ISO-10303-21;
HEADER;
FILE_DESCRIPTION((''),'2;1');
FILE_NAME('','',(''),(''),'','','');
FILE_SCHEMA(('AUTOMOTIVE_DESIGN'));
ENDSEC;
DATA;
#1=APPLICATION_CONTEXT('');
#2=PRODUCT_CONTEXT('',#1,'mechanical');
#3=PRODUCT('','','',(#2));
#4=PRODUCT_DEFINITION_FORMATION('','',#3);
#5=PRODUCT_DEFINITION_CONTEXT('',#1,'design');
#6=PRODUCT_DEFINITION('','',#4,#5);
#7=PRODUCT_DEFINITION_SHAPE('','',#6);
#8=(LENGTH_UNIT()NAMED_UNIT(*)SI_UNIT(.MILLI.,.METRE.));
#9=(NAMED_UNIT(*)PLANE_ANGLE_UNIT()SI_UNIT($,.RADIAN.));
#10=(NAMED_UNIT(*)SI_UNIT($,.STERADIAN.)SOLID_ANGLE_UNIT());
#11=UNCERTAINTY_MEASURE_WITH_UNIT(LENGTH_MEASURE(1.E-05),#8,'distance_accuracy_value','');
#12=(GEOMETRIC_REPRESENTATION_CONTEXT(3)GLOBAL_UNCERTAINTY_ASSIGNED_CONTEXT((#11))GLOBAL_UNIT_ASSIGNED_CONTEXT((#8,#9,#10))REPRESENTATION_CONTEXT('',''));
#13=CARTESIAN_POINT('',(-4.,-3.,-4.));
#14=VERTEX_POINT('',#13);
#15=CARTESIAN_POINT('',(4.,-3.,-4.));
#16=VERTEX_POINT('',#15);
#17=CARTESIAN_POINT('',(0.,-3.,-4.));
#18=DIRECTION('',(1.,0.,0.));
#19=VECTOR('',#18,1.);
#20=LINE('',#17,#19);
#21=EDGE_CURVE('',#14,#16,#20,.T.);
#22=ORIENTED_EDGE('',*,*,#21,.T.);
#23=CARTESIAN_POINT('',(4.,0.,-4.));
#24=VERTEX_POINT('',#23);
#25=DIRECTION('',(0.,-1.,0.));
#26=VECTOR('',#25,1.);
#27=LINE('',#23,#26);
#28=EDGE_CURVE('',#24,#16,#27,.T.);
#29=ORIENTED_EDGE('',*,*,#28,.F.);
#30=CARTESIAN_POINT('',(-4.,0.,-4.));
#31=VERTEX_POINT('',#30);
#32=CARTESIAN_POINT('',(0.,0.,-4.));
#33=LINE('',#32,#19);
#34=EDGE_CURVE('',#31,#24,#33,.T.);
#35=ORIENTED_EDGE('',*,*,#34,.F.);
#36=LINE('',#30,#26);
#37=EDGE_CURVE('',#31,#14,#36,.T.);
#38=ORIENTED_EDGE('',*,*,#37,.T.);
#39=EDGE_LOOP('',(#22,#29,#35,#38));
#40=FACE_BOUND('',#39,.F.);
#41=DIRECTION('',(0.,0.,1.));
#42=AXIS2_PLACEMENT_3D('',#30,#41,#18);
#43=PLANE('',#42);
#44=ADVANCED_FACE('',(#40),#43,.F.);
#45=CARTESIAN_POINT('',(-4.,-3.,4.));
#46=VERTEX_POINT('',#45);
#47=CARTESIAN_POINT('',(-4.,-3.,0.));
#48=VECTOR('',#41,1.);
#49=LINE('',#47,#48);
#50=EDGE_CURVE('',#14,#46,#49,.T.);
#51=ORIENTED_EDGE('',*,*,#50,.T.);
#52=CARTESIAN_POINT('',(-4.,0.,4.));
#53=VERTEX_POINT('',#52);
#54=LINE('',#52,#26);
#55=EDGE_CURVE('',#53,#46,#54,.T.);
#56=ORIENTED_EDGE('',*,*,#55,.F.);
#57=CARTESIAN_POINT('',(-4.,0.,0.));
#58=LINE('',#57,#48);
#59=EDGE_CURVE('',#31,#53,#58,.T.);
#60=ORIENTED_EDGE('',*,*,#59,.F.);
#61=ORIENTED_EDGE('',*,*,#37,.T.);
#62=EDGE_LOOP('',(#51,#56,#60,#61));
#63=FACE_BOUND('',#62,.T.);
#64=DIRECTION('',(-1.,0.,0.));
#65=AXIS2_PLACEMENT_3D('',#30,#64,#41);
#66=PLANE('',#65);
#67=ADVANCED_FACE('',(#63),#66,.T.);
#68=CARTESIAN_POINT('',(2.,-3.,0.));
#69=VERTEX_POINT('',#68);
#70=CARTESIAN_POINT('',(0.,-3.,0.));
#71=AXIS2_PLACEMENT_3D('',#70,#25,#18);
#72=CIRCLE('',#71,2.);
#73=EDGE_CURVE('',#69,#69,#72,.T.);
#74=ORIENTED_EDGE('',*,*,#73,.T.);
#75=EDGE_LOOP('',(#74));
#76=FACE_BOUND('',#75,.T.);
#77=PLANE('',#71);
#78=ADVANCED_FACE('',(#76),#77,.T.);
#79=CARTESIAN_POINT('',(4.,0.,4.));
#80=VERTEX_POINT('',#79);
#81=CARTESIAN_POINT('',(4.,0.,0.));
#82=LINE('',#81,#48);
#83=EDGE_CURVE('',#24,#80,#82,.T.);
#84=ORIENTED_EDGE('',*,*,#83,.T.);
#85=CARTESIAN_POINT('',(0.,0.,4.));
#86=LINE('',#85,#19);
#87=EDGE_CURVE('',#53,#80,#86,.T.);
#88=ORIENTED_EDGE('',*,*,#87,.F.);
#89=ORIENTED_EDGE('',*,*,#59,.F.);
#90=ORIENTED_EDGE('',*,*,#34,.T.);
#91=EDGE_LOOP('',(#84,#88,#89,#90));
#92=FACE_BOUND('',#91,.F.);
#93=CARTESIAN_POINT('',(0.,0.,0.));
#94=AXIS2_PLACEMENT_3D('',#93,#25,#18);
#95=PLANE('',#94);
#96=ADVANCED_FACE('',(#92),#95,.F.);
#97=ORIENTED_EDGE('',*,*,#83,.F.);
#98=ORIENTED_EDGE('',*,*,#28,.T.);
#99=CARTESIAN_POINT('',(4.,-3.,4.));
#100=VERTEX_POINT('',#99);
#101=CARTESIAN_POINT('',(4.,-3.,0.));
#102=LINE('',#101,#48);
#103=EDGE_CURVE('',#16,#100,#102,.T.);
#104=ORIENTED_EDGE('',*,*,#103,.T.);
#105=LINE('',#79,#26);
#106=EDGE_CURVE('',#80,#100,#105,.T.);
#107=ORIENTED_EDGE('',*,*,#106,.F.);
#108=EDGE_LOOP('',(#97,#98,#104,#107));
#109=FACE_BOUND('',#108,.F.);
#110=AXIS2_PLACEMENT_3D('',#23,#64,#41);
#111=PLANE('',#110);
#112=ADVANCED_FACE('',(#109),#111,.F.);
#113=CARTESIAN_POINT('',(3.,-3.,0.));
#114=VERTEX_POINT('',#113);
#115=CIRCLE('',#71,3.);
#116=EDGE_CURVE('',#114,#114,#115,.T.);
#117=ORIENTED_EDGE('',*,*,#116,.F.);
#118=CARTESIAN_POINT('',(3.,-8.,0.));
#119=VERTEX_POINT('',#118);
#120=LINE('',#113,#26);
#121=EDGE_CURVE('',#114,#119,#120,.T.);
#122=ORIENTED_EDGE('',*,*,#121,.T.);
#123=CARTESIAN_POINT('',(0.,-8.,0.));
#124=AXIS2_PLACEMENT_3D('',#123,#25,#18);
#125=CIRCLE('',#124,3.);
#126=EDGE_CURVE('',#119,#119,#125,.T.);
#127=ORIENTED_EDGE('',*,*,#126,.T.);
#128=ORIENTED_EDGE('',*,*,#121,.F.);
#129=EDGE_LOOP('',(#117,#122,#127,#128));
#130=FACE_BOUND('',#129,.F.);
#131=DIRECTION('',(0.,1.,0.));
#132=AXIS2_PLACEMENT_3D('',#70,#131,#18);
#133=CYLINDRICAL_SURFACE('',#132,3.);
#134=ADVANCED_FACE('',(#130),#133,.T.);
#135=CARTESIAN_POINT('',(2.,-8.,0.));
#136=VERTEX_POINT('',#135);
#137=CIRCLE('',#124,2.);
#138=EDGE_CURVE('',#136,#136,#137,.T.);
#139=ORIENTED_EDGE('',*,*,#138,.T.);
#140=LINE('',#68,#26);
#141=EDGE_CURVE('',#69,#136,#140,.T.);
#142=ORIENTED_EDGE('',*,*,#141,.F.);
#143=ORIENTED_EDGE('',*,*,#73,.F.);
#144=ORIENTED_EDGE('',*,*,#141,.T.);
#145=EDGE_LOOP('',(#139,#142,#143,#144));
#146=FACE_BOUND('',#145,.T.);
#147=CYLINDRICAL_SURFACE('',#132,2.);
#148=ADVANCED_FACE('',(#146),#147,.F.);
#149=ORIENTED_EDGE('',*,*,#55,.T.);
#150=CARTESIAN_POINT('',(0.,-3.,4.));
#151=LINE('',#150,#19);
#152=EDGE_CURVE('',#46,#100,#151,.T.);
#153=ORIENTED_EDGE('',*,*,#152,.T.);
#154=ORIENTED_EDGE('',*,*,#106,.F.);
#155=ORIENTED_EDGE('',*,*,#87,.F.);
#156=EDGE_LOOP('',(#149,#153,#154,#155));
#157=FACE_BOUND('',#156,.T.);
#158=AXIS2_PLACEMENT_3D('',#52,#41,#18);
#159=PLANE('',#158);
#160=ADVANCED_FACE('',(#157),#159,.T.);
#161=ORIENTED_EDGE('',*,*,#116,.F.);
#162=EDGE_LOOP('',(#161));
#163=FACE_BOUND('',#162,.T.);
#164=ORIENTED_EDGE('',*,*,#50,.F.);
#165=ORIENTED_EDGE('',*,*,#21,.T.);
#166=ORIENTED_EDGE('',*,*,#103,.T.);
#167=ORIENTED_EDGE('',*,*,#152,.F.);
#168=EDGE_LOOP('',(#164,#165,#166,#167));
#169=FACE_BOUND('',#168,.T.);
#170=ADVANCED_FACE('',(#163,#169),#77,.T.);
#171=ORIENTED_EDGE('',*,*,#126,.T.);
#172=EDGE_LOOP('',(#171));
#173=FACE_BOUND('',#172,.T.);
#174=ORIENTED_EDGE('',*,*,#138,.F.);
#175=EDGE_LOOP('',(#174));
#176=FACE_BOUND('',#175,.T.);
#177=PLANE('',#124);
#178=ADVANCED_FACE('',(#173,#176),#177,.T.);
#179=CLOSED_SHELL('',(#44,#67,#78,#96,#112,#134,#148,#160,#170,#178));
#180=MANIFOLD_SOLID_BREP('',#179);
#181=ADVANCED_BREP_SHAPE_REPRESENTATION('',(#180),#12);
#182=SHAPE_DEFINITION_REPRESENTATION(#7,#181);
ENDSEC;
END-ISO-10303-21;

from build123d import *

# Parameters (mm, degrees)
F0_W     = 8
F0_H     = 8
F1_DEPTH = 3
F2_R     = 3
F2_R_2   = 2
F3_DEPTH = 5


with BuildPart() as f1:
    # F0 (on Front) → F1 (new body)
    with BuildSketch(Plane.XZ):
        Rectangle(F0_W, F0_H)
    extrude(amount=F1_DEPTH)

    # F2 (on face) → F3 (join)
    with BuildSketch(Plane.XZ.offset(3)):
        Circle(F2_R)
        Circle(F2_R_2, mode=Mode.SUBTRACT)
    extrude(amount=F3_DEPTH)


solid = f1.part
